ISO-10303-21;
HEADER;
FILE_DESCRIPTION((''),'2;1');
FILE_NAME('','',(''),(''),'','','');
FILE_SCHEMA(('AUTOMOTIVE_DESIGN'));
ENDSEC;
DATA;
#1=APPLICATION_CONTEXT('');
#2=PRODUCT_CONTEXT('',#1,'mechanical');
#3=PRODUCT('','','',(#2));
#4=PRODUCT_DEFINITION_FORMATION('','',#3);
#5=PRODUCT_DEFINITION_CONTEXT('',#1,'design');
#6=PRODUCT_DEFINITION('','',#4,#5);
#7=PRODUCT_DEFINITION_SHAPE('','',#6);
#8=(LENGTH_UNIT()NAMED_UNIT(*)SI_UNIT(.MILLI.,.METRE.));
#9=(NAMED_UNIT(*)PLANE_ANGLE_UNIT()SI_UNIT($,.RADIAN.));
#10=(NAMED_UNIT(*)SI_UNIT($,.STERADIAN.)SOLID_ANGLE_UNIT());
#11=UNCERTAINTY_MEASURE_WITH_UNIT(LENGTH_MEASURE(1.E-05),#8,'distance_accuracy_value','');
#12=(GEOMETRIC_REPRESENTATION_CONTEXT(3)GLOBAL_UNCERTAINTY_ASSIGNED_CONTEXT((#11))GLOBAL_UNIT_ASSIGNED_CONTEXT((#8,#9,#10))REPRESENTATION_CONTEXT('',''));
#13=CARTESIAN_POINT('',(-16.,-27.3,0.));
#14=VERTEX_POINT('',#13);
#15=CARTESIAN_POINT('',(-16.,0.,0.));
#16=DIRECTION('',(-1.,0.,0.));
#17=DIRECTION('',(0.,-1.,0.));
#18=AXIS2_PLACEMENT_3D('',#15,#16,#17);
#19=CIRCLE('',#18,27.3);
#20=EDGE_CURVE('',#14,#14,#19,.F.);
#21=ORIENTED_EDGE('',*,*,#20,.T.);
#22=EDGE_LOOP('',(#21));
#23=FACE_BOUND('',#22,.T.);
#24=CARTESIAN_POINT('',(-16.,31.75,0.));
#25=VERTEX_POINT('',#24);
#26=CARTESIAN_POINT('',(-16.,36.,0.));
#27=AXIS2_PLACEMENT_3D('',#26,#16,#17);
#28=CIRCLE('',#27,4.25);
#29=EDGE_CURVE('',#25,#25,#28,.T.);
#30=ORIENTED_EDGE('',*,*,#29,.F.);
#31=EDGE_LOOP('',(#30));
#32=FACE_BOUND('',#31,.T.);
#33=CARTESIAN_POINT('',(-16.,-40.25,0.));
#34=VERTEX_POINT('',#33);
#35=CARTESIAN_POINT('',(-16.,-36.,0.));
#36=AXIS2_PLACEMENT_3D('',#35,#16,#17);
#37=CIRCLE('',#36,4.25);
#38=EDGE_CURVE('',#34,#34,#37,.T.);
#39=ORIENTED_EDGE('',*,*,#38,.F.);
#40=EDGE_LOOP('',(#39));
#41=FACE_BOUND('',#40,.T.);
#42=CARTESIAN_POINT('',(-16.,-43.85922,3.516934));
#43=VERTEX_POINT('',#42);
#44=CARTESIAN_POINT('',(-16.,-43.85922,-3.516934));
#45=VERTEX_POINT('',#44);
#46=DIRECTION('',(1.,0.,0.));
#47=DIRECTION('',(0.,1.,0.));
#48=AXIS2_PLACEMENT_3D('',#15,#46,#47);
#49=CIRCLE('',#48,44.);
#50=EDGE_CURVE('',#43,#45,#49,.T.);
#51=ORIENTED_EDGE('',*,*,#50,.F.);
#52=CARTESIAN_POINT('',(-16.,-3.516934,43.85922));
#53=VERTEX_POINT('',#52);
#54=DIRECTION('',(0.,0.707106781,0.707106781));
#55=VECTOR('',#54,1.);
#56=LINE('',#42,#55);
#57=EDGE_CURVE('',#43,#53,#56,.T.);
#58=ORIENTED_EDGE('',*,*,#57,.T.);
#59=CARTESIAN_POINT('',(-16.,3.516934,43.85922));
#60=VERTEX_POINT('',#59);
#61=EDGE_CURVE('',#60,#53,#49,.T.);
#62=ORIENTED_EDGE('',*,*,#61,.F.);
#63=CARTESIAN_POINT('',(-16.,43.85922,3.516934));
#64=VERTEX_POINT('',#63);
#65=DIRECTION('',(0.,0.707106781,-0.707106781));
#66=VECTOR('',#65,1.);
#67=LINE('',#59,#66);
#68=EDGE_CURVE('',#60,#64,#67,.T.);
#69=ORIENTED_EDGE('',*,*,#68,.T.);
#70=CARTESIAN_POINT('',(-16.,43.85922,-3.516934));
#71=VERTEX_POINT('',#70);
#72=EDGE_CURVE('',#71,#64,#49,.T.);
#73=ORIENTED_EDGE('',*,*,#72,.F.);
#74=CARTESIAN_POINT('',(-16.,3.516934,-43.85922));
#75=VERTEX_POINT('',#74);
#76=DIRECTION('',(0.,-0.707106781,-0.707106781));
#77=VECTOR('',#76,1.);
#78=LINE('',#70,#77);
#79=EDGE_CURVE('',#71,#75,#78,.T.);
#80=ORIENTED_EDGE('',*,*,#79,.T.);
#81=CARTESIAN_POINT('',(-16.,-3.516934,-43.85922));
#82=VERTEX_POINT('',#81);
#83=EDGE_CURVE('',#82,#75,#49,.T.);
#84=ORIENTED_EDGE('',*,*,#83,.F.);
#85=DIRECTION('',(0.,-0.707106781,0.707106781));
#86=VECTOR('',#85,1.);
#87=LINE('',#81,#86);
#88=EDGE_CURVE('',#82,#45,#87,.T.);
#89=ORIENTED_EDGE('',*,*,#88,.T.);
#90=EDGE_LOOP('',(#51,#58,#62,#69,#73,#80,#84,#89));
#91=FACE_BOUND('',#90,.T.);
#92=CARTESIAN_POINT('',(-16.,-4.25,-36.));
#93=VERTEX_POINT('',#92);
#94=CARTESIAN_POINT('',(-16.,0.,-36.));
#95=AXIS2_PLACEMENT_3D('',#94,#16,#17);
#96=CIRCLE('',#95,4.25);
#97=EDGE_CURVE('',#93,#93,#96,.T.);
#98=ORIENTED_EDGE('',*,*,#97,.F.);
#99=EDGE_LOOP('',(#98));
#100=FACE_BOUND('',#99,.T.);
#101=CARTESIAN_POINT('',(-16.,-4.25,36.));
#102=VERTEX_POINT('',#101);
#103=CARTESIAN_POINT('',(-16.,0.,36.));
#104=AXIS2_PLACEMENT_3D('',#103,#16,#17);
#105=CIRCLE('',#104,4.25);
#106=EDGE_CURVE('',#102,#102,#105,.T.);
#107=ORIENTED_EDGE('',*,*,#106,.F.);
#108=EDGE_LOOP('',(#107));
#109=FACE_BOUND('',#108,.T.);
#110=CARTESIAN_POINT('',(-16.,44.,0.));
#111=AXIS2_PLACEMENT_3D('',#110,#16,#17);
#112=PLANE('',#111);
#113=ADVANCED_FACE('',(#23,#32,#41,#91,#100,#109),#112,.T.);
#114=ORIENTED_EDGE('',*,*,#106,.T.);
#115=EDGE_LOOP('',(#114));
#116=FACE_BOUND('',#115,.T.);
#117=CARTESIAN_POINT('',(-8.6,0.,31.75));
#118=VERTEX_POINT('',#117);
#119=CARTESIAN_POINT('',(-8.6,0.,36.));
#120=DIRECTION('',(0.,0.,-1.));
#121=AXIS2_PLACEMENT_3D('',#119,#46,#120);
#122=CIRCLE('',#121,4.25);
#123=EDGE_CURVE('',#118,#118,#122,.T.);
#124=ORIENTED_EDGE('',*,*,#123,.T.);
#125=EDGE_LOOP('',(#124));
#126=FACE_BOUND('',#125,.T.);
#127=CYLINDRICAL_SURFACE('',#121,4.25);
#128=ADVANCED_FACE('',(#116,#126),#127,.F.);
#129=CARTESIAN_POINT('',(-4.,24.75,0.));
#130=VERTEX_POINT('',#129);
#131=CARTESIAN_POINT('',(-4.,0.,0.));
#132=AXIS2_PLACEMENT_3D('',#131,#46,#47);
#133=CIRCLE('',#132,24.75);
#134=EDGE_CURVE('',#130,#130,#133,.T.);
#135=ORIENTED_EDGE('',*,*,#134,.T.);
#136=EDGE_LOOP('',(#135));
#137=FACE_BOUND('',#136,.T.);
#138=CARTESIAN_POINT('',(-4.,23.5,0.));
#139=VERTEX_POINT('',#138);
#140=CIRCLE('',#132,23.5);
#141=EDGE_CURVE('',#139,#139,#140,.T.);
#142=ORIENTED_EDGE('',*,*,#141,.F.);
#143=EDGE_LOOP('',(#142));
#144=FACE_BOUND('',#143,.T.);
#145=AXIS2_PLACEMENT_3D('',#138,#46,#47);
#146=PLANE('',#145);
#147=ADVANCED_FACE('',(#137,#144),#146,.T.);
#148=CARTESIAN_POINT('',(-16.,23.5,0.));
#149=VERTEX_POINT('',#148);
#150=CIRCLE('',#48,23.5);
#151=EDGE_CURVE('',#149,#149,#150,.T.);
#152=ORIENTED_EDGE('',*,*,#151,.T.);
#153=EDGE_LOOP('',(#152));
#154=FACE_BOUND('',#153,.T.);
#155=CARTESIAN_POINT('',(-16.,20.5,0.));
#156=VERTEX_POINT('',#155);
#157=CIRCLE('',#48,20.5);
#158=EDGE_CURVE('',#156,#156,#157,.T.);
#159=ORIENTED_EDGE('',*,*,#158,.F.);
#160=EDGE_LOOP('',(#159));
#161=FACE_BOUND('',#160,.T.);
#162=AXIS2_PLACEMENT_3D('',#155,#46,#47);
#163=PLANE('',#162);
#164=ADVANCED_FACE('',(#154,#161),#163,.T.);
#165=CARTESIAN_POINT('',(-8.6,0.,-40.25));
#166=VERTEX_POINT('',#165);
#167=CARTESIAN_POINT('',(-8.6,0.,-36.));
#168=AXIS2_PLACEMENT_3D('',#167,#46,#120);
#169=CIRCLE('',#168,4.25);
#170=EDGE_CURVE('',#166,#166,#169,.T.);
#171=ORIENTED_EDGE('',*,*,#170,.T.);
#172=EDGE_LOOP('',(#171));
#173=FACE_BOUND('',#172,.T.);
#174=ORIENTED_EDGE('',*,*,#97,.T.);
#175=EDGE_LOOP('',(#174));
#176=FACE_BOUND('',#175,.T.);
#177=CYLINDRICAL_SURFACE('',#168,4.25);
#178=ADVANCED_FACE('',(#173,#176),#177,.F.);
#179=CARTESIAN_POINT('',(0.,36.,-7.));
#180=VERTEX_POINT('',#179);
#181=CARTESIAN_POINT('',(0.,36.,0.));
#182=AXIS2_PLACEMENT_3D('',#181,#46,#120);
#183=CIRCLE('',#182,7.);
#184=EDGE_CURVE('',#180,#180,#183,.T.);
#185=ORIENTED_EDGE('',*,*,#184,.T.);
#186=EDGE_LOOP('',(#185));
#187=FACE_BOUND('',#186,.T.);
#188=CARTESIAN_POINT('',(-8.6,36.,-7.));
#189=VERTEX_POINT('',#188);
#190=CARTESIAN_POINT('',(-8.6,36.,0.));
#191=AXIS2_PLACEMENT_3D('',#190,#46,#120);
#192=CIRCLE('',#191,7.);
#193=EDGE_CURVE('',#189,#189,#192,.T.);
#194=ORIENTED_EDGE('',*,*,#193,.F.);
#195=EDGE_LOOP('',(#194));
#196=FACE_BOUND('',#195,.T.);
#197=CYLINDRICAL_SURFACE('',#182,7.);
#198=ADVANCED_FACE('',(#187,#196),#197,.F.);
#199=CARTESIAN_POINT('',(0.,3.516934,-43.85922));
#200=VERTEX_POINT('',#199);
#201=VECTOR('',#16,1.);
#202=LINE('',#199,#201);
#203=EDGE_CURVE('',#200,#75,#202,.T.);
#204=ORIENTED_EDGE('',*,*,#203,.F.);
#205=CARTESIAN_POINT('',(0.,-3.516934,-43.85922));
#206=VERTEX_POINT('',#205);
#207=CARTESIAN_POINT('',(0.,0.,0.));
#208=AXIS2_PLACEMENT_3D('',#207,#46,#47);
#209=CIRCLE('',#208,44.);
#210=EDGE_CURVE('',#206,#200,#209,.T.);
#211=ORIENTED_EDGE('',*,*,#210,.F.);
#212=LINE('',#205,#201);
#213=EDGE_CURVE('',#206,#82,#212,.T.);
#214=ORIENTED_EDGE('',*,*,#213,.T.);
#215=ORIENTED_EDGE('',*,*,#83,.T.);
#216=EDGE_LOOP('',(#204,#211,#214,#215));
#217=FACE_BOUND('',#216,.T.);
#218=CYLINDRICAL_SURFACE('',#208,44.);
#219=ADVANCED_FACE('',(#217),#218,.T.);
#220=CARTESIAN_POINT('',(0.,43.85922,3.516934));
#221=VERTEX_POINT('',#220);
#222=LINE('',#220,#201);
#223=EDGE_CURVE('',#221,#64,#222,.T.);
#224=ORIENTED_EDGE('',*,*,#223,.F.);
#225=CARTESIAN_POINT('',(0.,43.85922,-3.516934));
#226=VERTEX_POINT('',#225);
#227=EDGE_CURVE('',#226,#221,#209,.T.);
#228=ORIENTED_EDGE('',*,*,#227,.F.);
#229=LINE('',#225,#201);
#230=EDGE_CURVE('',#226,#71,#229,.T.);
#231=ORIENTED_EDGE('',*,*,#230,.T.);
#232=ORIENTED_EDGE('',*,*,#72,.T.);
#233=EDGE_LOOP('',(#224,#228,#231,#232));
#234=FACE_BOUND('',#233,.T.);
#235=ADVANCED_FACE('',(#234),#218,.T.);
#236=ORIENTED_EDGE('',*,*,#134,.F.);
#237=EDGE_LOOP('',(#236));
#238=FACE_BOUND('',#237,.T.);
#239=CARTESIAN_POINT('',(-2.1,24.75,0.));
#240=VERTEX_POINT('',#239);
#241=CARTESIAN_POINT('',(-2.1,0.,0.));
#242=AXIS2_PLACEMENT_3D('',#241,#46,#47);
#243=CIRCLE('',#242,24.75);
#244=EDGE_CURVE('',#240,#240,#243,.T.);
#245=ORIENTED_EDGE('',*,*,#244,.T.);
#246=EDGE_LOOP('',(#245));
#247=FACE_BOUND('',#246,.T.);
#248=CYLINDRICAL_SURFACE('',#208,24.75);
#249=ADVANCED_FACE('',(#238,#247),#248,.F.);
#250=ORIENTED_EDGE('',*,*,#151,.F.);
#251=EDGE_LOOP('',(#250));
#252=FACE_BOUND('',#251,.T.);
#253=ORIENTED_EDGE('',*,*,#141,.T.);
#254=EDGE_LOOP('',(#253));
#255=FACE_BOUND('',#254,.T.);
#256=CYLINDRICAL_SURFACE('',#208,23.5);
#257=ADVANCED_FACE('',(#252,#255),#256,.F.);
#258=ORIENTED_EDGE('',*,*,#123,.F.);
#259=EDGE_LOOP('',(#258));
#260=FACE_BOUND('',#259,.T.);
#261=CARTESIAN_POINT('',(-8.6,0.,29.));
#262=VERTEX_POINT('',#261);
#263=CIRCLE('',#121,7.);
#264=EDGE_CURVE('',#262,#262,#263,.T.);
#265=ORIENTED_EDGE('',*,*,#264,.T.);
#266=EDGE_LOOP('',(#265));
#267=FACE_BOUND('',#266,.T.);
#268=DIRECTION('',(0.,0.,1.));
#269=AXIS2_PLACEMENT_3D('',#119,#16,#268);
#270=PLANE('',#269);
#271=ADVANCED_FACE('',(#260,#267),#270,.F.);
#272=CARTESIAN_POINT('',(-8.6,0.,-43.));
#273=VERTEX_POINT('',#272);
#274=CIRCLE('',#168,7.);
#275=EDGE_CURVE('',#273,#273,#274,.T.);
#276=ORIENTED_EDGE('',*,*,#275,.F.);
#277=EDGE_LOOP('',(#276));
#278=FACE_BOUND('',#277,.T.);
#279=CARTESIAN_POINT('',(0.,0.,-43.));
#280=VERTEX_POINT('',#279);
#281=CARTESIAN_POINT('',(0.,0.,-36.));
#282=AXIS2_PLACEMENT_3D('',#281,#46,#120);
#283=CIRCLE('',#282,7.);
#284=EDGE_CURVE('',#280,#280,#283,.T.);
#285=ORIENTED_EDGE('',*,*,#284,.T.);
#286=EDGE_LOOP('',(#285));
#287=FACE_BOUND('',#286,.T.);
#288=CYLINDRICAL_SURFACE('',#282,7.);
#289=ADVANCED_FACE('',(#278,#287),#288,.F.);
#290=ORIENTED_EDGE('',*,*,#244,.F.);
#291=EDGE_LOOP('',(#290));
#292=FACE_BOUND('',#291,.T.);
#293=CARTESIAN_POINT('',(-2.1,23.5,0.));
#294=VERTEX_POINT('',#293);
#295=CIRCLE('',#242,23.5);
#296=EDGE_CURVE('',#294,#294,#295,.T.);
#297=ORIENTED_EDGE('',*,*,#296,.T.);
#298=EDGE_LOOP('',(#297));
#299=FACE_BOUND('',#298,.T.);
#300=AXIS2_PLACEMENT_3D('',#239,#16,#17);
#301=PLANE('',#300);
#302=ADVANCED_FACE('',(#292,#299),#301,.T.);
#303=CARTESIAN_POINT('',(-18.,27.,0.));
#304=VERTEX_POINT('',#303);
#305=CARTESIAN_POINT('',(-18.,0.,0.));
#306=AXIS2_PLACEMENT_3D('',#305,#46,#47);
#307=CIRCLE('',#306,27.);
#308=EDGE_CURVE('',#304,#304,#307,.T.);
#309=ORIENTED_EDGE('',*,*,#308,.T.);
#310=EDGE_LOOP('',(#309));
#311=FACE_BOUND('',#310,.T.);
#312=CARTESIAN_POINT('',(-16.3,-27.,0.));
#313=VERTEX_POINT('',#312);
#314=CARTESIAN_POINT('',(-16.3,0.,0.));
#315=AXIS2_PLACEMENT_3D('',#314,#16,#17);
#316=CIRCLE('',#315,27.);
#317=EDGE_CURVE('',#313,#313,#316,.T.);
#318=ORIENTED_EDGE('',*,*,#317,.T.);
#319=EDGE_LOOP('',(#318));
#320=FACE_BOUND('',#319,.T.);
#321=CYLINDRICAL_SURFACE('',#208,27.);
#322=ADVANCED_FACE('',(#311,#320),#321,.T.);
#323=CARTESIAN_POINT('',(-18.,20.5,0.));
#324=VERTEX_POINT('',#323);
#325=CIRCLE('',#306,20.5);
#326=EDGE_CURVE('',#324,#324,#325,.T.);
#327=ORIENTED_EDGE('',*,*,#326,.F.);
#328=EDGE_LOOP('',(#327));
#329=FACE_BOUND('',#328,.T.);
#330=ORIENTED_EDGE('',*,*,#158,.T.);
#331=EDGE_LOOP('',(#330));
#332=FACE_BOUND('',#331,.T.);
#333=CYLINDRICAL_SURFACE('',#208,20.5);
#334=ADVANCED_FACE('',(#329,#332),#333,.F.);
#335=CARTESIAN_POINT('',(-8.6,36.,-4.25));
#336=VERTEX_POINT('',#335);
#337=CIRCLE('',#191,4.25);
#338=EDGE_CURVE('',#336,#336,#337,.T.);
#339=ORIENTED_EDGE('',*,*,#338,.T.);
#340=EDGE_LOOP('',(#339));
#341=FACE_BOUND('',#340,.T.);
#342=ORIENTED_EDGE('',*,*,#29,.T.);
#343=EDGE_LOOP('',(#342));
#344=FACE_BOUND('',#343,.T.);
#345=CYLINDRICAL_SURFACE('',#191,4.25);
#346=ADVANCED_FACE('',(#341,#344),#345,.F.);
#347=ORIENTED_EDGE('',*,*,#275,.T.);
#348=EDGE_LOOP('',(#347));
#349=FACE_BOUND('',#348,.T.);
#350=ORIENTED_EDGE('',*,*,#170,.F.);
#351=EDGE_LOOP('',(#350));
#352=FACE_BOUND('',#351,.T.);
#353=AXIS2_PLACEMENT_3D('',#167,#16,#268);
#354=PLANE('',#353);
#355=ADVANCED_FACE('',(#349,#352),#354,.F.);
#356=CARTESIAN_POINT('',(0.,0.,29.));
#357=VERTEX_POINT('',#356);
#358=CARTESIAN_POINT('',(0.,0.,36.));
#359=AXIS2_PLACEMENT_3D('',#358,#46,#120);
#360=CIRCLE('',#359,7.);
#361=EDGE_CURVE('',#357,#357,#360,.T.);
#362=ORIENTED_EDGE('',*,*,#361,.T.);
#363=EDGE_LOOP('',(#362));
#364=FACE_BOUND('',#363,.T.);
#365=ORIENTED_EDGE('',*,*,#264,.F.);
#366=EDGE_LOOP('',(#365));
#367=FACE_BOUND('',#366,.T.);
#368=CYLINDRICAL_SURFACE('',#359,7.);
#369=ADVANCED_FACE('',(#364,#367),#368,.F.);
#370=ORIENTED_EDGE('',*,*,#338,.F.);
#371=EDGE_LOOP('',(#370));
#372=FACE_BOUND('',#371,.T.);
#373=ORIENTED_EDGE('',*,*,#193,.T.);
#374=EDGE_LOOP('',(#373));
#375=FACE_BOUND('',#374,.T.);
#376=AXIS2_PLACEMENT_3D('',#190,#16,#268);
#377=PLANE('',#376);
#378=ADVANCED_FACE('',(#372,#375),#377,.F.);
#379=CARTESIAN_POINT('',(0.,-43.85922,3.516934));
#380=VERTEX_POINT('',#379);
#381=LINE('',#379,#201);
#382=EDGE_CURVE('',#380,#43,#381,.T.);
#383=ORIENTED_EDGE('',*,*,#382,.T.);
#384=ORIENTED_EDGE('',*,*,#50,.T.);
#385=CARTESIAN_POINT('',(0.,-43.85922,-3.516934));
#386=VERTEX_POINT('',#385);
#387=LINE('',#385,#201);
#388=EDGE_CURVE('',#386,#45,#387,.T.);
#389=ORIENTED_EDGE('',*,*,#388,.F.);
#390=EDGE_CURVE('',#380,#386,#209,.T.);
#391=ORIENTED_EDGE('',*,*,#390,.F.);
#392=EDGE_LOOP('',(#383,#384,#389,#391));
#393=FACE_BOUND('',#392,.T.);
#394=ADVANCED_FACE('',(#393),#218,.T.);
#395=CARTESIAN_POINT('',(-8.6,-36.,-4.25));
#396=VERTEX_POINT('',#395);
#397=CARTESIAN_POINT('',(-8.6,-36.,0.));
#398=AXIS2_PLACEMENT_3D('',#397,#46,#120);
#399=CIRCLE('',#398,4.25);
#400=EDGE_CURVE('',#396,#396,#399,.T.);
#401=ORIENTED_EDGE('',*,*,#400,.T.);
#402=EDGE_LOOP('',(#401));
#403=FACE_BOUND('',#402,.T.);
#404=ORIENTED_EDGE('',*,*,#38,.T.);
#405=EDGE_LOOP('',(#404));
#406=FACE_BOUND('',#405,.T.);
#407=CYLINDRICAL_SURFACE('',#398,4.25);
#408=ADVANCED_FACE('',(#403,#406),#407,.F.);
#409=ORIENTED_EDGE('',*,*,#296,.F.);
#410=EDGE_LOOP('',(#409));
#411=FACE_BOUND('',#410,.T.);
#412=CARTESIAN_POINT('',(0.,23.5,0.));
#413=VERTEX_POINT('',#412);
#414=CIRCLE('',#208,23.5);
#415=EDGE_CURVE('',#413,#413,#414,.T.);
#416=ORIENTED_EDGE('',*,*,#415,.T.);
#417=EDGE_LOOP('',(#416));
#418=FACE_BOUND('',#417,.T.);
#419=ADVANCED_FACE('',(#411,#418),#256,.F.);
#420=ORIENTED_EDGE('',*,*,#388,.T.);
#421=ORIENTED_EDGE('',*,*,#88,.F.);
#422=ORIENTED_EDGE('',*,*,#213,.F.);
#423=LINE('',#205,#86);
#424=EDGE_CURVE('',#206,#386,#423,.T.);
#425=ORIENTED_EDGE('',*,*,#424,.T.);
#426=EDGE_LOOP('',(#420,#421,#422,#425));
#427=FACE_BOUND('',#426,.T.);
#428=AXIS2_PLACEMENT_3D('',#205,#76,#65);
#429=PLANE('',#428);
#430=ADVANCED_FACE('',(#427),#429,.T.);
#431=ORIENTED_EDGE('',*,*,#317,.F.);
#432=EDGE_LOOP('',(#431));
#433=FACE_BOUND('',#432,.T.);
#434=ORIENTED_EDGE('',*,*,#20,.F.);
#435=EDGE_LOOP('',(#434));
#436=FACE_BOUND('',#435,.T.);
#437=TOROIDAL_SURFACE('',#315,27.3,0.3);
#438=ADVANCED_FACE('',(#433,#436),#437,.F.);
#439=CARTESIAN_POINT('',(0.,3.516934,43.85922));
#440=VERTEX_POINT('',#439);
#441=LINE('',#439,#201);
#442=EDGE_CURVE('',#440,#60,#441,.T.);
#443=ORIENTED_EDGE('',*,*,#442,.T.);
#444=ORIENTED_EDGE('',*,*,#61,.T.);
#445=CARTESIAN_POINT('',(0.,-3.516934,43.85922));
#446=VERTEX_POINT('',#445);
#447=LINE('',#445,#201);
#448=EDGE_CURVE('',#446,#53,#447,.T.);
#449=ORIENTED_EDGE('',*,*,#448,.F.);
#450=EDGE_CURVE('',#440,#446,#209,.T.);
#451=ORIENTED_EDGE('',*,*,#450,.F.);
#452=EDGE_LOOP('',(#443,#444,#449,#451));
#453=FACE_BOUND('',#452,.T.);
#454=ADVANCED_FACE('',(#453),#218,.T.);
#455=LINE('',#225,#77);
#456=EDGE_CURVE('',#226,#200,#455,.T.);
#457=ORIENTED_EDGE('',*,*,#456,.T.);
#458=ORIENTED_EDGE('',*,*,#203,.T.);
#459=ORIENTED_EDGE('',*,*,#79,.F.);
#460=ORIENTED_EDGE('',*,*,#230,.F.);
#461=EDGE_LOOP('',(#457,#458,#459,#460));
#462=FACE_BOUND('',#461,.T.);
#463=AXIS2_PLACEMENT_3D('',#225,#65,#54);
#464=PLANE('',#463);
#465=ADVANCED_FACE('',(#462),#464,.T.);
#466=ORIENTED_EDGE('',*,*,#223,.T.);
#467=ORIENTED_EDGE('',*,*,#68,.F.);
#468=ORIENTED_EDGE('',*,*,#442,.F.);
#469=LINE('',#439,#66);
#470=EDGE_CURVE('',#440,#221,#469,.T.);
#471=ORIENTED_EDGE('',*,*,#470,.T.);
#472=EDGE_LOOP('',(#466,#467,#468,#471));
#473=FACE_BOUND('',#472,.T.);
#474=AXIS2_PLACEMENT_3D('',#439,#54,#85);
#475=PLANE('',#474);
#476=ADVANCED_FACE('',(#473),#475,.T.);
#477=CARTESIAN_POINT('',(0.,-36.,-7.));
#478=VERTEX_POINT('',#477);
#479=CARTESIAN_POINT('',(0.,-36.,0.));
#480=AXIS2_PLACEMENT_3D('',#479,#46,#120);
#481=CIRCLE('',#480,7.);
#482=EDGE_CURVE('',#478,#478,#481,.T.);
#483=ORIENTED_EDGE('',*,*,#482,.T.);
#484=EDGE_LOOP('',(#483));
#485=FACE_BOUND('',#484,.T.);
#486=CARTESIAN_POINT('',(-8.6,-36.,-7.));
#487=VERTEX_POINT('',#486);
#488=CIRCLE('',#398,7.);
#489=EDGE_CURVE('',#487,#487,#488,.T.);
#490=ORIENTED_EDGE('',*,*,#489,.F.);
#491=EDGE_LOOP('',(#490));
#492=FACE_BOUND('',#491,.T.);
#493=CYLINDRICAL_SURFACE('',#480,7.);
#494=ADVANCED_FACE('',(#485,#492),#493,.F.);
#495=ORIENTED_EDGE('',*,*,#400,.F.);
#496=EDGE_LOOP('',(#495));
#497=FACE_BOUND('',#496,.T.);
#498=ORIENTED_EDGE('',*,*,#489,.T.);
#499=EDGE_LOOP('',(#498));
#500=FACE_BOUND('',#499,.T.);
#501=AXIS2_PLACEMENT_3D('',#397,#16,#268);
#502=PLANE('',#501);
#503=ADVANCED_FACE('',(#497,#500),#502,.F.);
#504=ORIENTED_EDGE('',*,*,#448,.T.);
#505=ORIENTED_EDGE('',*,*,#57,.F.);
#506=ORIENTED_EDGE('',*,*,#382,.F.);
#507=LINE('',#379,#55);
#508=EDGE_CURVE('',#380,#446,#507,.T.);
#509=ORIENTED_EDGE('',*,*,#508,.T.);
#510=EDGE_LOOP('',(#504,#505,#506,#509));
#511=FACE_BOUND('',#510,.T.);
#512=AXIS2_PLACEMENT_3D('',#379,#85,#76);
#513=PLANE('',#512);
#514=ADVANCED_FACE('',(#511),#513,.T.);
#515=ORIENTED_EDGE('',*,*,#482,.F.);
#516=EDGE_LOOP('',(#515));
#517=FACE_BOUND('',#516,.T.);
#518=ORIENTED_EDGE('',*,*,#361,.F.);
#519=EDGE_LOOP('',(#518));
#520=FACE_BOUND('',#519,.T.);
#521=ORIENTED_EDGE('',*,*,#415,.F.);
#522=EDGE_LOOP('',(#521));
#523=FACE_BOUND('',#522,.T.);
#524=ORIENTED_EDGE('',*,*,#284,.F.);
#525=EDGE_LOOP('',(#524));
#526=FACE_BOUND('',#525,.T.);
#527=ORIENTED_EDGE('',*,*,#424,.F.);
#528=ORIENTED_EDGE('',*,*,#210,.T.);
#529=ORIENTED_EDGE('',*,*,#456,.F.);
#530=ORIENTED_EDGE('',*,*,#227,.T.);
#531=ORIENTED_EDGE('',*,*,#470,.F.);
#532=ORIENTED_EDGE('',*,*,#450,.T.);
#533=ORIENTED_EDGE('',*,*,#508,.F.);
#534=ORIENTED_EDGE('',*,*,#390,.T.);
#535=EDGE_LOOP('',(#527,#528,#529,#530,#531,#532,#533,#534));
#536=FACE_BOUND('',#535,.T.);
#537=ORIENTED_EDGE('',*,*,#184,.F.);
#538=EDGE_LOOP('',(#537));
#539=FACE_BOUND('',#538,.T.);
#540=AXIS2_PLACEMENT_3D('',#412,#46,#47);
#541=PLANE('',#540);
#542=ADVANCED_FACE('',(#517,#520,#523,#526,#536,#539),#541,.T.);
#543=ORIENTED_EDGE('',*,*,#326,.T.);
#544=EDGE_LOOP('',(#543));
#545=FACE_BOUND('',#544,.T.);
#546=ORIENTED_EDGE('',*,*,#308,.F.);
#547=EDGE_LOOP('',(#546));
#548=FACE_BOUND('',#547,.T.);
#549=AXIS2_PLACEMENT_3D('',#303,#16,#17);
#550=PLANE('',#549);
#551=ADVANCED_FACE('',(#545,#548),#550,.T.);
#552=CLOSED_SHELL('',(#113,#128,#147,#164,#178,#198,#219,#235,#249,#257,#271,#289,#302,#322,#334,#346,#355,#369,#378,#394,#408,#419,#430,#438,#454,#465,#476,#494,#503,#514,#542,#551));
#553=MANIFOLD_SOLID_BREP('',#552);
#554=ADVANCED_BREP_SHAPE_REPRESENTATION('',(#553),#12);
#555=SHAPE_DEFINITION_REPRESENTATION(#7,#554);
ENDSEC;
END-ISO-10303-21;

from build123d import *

# Parameters (mm, degrees)
FILLET1_R            = 0.3
DIAMETER_HOLE1_D     = 14
DIAMETER_HOLE1_DEPTH = 8.6
TAPPED_HOLE1_D       = 8.5
CUT_EXTRUDE1_DEPTH   = 65.249513617


with BuildPart() as part:
    # Sketch1 → Revolve1 (revolve)
    with BuildSketch(Plane.XY):
        Polygon((0, 44), (-16, 44), (-16, 27), (-18, 27), (-18, 20.5), (-16, 20.5), (-16, 23.5), (-4, 23.5), (-4, 24.75), (-2.1, 24.75), (-2.1, 23.5), (0, 23.5), align=None)
    revolve(axis=Axis((0, 0, 0), (-1, 0, 0)))

    # Fillet1
    fillet1_edges = [part.edges().sort_by_distance(p)[0] for p in [
        (-16, -27, 0),
    ]]
    fillet(fillet1_edges, radius=FILLET1_R)

    # Diameter Hole1
    with Locations(Plane(origin=(0, 0, 0), x_dir=(0, 0, -1), z_dir=(1, 0, 0))):
        with Locations((0, 36), (-36, 0), (36, 0), (0, -36)):
            Hole(DIAMETER_HOLE1_D / 2, depth=DIAMETER_HOLE1_DEPTH)

    # Tapped Hole1 (through all)
    with Locations(Plane(origin=(-8.6, 0, 0), x_dir=(0, 0, -1), z_dir=(1, 0, 0))):
        with Locations((0, 36), (-36, 0), (0, -36), (36, 0)):
            Hole(TAPPED_HOLE1_D / 2)

    # Sketch6 → Cut-Extrude1 (cut, through all)
    with BuildSketch(Plane(origin=(-16, 0, 0), x_dir=(0, 0, -1), z_dir=(1, 0, 0))):
        with BuildLine():
            Line((-43.859219924, 3.516934416), (-3.516934416, 43.859219924))
            ThreePointArc((-3.516934416, 43.859219924), (-31.112698372, 31.112698372), (-43.859219924, 3.516934416))
        make_face()
        with BuildLine():
            Line((3.516934416, 43.859219924), (43.859219924, 3.516934416))
            ThreePointArc((43.859219924, 3.516934416), (31.112698372, 31.112698372), (3.516934416, 43.859219924))
        make_face()
        with BuildLine():
            Line((43.859219924, -3.516934416), (3.516934416, -43.859219924))
            ThreePointArc((3.516934416, -43.859219924), (31.112698372, -31.112698372), (43.859219924, -3.516934416))
        make_face()
        with BuildLine():
            Line((-3.516934416, -43.859219924), (-43.859219924, -3.516934416))
            ThreePointArc((-43.859219924, -3.516934416), (-31.112698372, -31.112698372), (-3.516934416, -43.859219924))
        make_face()
    extrude(amount=CUT_EXTRUDE1_DEPTH, mode=Mode.SUBTRACT)


solid = part.part
